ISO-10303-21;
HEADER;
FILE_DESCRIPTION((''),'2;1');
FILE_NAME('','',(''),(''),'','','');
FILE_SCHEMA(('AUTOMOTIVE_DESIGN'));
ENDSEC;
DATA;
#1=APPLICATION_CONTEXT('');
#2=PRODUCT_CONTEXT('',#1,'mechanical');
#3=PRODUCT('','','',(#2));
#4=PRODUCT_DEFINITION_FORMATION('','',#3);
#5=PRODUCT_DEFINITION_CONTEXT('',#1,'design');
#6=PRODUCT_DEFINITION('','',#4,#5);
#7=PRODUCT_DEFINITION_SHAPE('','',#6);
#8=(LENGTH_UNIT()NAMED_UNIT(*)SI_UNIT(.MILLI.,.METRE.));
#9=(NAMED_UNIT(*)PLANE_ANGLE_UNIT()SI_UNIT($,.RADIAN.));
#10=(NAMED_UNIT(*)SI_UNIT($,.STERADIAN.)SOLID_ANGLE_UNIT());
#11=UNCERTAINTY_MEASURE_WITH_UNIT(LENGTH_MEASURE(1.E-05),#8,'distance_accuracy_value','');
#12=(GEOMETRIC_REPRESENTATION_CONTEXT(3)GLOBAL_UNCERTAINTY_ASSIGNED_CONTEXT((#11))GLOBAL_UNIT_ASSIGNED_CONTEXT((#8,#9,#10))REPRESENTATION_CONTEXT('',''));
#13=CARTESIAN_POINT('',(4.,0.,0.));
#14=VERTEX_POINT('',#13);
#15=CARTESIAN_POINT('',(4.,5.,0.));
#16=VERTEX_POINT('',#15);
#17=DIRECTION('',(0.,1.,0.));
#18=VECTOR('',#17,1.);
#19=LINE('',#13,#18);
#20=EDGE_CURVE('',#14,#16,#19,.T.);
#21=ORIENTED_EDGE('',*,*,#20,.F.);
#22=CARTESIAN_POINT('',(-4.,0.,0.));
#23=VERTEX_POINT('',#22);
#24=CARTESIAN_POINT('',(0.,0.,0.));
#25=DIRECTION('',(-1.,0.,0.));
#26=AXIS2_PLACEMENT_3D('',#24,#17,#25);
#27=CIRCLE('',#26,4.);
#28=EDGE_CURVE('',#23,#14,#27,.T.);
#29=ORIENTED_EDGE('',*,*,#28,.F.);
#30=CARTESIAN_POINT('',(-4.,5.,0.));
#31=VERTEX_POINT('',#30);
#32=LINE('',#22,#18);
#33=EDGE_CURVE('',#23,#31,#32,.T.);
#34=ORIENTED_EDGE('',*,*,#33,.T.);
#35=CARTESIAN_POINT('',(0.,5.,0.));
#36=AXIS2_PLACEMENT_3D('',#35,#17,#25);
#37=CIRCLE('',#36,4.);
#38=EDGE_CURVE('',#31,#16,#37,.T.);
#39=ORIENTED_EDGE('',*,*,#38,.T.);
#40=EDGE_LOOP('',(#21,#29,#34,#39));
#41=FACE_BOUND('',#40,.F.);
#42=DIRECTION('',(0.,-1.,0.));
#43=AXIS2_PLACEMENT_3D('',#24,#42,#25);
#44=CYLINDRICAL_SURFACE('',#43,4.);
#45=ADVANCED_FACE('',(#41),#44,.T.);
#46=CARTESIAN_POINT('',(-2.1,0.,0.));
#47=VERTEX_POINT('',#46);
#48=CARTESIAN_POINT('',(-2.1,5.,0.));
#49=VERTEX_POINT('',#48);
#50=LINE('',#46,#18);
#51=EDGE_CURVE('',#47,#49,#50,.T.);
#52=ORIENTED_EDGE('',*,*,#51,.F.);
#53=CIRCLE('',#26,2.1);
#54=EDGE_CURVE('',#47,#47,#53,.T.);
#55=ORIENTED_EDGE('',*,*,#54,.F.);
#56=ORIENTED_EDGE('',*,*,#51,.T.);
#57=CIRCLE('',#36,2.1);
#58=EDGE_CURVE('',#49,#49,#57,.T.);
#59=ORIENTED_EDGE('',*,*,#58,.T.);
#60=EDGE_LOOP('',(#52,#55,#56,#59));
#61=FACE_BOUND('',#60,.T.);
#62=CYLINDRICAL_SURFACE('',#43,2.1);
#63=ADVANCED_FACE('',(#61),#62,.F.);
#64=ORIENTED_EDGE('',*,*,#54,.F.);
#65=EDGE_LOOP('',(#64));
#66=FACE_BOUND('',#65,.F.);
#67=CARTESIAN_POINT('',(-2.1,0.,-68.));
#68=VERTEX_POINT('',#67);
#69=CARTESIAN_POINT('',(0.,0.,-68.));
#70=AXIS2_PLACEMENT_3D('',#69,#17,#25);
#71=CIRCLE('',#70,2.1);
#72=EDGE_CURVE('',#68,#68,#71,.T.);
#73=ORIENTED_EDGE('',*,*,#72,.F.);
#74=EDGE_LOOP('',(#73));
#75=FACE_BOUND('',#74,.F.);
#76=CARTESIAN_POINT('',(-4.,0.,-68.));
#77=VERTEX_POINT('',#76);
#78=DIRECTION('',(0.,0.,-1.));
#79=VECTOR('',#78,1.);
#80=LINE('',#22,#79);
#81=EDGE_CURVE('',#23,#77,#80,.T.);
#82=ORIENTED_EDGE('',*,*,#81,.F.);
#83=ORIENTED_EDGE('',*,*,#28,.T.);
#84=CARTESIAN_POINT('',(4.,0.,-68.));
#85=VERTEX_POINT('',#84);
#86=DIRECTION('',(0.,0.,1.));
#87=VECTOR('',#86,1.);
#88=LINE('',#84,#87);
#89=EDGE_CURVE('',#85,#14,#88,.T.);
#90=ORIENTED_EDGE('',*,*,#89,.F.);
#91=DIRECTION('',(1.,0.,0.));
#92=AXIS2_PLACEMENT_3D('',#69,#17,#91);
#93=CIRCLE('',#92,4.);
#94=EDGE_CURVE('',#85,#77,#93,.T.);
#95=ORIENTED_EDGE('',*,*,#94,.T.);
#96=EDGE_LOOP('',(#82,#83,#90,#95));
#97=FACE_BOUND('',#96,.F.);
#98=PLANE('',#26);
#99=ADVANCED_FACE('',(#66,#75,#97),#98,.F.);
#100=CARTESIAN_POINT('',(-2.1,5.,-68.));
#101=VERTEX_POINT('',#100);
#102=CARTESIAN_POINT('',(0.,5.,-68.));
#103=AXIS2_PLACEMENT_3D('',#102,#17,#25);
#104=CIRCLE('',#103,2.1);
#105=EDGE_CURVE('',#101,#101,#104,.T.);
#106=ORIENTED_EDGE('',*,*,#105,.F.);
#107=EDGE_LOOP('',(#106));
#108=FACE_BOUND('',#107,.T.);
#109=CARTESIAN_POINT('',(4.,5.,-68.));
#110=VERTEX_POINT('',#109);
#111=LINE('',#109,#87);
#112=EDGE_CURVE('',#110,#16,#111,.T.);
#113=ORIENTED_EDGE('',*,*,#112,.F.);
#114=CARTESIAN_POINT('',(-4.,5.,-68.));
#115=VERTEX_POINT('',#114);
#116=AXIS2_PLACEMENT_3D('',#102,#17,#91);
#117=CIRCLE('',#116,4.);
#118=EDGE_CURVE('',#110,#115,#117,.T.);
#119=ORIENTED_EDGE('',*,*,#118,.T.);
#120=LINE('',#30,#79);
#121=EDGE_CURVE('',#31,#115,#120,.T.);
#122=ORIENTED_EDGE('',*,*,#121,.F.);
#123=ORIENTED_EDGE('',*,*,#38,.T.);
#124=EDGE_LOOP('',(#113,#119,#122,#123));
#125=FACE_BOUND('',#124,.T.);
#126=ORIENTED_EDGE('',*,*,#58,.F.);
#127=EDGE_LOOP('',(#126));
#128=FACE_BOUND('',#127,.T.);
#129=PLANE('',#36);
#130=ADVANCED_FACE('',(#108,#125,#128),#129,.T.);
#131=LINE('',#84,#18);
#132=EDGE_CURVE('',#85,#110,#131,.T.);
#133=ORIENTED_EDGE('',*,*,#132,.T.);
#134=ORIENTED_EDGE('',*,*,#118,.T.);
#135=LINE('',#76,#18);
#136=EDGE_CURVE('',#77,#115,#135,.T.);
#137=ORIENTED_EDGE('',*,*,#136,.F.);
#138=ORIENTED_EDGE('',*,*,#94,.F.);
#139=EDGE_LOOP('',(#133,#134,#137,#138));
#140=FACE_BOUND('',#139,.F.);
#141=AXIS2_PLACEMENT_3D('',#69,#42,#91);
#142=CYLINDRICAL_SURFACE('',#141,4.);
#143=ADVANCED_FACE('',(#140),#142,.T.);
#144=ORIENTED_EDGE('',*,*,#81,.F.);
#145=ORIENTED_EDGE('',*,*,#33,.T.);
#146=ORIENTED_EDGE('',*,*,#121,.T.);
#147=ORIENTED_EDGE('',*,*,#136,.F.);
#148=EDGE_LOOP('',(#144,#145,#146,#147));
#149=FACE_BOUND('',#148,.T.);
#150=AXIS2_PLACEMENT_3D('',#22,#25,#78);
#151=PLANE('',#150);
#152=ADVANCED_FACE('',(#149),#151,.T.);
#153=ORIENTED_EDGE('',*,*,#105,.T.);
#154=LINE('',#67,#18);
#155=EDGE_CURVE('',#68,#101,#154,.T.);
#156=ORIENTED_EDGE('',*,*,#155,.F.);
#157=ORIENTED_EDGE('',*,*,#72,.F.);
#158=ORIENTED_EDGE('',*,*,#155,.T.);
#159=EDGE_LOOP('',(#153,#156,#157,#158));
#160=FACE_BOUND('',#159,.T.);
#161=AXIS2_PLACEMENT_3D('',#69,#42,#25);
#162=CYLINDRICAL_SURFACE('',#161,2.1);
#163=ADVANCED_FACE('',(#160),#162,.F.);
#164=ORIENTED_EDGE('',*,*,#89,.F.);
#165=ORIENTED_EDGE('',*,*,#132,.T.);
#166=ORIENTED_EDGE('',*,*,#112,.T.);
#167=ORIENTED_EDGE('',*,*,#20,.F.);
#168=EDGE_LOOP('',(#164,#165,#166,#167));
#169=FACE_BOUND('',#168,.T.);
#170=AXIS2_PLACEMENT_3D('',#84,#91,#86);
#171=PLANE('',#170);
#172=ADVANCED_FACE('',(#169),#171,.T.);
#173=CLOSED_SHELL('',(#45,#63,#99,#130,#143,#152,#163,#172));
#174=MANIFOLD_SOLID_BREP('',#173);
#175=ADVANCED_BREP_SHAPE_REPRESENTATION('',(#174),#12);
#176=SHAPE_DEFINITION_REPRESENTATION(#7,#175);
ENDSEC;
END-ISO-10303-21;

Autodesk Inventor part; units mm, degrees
ref_plane "YZ Plane" through (0, 0, 0) normal (1, 0, 0) x (0, 1, 0)
ref_plane "XZ Plane" through (0, 0, 0) normal (0, 1, 0) x (-1, 0, 0)
ref_plane "XY Plane" through (0, 0, 0) normal (0, 0, 1) x (1, 0, 0)
sketch "Sketch1" plane through (0, 0, 0) normal (0, 1, 0) x (-1, 0, 0)
  line L0 (0, 0) -> (0, -68) construction
  line L1 (4, 0) -> (4, -68)
  line L2 (-4, -68) -> (-4, 0)
  arc A0 (4, 0) -> (-4, 0) centre (0, 0) ccw
  arc A1 (-4, -68) -> (4, -68) centre (0, -68) ccw
  circle A2 centre (0, 0) radius 2.1
  circle A3 centre (0, -68) radius 2.1
  point P0 (0, -34)
  dimension "d0" = 68
  dimension "d1" = 8
  dimension "d2" = 4.2
  dimension "d3" = 4.2
extrude "Extrusion1" add sketch "Sketch1" along normal blind 5
